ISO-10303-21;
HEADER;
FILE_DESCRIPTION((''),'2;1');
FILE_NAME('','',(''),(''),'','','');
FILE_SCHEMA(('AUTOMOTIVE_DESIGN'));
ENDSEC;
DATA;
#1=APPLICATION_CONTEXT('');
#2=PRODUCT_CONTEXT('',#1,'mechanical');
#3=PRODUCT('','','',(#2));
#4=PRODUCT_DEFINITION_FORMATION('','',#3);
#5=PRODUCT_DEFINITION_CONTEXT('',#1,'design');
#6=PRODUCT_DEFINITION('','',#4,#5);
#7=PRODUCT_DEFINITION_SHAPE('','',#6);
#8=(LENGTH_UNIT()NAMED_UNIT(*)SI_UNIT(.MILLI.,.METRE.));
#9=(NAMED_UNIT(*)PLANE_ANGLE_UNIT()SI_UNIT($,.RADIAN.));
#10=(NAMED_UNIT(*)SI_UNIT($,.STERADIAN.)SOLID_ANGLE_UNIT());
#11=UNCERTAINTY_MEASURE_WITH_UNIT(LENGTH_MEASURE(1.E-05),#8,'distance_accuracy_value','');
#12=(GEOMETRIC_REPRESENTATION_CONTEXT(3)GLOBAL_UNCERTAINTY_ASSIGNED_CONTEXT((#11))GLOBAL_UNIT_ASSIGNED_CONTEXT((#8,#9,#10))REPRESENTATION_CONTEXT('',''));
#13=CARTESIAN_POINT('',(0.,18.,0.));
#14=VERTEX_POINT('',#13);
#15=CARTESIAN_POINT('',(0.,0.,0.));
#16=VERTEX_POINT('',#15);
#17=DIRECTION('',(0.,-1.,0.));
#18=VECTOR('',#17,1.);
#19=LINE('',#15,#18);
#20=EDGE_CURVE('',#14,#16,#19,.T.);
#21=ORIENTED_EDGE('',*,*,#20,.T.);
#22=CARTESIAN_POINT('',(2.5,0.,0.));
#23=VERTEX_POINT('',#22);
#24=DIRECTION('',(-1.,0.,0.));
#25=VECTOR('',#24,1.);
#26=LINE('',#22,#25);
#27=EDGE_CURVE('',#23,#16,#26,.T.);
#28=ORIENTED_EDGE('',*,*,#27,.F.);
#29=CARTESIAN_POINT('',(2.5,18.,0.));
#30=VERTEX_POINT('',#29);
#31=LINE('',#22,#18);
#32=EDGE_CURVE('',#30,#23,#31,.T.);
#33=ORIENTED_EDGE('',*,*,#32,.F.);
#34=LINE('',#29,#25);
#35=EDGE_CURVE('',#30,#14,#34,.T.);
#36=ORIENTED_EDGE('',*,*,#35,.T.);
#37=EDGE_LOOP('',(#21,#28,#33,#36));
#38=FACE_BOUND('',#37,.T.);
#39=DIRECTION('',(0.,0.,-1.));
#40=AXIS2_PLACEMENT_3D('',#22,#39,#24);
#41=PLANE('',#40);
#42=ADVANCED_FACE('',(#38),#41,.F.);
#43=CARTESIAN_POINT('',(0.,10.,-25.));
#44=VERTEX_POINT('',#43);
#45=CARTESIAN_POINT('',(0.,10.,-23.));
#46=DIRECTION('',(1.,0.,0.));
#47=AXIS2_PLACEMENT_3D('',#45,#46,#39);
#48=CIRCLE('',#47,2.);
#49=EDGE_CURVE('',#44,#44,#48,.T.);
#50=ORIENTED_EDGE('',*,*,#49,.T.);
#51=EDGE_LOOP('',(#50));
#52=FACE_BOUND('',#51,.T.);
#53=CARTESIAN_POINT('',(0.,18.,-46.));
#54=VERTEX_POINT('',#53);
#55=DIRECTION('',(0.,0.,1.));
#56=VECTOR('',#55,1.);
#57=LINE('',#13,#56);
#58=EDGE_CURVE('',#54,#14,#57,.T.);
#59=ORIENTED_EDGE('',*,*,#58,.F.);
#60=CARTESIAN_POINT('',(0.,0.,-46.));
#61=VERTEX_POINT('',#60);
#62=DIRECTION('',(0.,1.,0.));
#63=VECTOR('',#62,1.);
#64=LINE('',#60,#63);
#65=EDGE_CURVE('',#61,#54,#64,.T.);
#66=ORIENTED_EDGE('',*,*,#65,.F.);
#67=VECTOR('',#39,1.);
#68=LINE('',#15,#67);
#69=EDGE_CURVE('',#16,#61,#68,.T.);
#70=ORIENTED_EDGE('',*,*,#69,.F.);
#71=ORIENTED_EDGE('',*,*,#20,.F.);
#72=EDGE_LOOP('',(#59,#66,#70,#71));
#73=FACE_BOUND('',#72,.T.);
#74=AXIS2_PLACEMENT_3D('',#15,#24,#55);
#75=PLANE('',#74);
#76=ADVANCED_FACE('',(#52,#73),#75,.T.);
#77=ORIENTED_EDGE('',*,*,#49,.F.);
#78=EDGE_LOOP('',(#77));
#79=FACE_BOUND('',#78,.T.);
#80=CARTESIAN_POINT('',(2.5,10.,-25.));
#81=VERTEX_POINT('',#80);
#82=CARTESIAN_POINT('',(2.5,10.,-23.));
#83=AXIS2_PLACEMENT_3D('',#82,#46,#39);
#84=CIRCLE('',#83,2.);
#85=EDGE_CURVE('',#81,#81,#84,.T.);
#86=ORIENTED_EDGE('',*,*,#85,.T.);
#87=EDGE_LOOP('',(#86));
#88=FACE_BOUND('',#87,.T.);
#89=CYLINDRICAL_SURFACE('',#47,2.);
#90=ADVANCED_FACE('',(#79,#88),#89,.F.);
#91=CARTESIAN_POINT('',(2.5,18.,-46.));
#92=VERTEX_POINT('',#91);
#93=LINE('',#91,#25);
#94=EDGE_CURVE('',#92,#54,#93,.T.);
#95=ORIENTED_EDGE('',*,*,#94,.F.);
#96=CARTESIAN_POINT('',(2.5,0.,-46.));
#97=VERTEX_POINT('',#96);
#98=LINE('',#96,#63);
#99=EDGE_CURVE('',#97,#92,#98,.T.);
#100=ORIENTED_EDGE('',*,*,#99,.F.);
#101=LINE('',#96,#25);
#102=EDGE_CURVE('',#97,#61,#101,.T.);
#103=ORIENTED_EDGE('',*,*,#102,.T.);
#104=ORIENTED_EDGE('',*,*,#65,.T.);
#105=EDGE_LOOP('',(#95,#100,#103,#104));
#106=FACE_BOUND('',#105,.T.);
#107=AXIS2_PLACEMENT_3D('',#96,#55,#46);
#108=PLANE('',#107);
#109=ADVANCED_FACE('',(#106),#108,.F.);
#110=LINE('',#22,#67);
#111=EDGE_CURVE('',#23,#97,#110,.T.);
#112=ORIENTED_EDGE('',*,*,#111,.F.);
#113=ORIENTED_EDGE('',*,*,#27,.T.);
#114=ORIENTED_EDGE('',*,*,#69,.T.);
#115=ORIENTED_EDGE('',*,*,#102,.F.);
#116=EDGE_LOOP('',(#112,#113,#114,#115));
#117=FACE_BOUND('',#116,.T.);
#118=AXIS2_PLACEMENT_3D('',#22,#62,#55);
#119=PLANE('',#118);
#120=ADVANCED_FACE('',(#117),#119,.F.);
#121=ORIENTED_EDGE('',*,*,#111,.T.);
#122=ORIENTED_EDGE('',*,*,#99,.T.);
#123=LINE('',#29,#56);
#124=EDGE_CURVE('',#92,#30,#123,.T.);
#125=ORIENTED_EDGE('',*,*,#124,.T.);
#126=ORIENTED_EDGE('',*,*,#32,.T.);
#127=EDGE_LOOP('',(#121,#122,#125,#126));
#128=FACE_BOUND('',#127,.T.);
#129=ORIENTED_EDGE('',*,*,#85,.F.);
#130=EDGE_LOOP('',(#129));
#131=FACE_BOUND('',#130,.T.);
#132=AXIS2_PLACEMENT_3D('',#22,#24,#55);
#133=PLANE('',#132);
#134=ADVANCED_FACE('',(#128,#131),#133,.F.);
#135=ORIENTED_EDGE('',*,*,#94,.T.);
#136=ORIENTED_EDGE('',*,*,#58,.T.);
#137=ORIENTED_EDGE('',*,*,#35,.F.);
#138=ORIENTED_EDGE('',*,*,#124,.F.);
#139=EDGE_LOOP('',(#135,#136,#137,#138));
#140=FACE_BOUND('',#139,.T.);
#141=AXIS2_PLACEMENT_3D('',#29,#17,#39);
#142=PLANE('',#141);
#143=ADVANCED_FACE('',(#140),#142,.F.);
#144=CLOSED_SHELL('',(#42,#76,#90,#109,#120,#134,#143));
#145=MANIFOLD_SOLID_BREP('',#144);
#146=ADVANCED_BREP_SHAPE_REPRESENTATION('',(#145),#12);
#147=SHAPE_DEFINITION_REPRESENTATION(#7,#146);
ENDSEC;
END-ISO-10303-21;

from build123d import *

# Parameters (mm, degrees)
SKETCH_1_W          = 46
SKETCH_1_H          = 18
EXTRUDE_1_DEPTH     = 2.5
SKETCH_2_R          = 2
CUT_EXTRUDE_2_DEPTH = 50.459579456


with BuildPart() as part:
    # 草图1 → 凸台-拉伸1 (new body)
    with BuildSketch(Plane(origin=(0, 0, 0), x_dir=(0, 0, -1), z_dir=(1, 0, 0))):
        with Locations((23, 9)):
            Rectangle(SKETCH_1_W, SKETCH_1_H)
    extrude(amount=EXTRUDE_1_DEPTH)

    # 草图2 → 切除-拉伸2 (cut, through all)
    with BuildSketch(Plane(origin=(2.5, 0, 0), x_dir=(0, 0, -1), z_dir=(1, 0, 0))):
        with Locations((23, 10)):
            Circle(SKETCH_2_R)
    extrude(amount=-CUT_EXTRUDE_2_DEPTH, mode=Mode.SUBTRACT)


solid = part.part
